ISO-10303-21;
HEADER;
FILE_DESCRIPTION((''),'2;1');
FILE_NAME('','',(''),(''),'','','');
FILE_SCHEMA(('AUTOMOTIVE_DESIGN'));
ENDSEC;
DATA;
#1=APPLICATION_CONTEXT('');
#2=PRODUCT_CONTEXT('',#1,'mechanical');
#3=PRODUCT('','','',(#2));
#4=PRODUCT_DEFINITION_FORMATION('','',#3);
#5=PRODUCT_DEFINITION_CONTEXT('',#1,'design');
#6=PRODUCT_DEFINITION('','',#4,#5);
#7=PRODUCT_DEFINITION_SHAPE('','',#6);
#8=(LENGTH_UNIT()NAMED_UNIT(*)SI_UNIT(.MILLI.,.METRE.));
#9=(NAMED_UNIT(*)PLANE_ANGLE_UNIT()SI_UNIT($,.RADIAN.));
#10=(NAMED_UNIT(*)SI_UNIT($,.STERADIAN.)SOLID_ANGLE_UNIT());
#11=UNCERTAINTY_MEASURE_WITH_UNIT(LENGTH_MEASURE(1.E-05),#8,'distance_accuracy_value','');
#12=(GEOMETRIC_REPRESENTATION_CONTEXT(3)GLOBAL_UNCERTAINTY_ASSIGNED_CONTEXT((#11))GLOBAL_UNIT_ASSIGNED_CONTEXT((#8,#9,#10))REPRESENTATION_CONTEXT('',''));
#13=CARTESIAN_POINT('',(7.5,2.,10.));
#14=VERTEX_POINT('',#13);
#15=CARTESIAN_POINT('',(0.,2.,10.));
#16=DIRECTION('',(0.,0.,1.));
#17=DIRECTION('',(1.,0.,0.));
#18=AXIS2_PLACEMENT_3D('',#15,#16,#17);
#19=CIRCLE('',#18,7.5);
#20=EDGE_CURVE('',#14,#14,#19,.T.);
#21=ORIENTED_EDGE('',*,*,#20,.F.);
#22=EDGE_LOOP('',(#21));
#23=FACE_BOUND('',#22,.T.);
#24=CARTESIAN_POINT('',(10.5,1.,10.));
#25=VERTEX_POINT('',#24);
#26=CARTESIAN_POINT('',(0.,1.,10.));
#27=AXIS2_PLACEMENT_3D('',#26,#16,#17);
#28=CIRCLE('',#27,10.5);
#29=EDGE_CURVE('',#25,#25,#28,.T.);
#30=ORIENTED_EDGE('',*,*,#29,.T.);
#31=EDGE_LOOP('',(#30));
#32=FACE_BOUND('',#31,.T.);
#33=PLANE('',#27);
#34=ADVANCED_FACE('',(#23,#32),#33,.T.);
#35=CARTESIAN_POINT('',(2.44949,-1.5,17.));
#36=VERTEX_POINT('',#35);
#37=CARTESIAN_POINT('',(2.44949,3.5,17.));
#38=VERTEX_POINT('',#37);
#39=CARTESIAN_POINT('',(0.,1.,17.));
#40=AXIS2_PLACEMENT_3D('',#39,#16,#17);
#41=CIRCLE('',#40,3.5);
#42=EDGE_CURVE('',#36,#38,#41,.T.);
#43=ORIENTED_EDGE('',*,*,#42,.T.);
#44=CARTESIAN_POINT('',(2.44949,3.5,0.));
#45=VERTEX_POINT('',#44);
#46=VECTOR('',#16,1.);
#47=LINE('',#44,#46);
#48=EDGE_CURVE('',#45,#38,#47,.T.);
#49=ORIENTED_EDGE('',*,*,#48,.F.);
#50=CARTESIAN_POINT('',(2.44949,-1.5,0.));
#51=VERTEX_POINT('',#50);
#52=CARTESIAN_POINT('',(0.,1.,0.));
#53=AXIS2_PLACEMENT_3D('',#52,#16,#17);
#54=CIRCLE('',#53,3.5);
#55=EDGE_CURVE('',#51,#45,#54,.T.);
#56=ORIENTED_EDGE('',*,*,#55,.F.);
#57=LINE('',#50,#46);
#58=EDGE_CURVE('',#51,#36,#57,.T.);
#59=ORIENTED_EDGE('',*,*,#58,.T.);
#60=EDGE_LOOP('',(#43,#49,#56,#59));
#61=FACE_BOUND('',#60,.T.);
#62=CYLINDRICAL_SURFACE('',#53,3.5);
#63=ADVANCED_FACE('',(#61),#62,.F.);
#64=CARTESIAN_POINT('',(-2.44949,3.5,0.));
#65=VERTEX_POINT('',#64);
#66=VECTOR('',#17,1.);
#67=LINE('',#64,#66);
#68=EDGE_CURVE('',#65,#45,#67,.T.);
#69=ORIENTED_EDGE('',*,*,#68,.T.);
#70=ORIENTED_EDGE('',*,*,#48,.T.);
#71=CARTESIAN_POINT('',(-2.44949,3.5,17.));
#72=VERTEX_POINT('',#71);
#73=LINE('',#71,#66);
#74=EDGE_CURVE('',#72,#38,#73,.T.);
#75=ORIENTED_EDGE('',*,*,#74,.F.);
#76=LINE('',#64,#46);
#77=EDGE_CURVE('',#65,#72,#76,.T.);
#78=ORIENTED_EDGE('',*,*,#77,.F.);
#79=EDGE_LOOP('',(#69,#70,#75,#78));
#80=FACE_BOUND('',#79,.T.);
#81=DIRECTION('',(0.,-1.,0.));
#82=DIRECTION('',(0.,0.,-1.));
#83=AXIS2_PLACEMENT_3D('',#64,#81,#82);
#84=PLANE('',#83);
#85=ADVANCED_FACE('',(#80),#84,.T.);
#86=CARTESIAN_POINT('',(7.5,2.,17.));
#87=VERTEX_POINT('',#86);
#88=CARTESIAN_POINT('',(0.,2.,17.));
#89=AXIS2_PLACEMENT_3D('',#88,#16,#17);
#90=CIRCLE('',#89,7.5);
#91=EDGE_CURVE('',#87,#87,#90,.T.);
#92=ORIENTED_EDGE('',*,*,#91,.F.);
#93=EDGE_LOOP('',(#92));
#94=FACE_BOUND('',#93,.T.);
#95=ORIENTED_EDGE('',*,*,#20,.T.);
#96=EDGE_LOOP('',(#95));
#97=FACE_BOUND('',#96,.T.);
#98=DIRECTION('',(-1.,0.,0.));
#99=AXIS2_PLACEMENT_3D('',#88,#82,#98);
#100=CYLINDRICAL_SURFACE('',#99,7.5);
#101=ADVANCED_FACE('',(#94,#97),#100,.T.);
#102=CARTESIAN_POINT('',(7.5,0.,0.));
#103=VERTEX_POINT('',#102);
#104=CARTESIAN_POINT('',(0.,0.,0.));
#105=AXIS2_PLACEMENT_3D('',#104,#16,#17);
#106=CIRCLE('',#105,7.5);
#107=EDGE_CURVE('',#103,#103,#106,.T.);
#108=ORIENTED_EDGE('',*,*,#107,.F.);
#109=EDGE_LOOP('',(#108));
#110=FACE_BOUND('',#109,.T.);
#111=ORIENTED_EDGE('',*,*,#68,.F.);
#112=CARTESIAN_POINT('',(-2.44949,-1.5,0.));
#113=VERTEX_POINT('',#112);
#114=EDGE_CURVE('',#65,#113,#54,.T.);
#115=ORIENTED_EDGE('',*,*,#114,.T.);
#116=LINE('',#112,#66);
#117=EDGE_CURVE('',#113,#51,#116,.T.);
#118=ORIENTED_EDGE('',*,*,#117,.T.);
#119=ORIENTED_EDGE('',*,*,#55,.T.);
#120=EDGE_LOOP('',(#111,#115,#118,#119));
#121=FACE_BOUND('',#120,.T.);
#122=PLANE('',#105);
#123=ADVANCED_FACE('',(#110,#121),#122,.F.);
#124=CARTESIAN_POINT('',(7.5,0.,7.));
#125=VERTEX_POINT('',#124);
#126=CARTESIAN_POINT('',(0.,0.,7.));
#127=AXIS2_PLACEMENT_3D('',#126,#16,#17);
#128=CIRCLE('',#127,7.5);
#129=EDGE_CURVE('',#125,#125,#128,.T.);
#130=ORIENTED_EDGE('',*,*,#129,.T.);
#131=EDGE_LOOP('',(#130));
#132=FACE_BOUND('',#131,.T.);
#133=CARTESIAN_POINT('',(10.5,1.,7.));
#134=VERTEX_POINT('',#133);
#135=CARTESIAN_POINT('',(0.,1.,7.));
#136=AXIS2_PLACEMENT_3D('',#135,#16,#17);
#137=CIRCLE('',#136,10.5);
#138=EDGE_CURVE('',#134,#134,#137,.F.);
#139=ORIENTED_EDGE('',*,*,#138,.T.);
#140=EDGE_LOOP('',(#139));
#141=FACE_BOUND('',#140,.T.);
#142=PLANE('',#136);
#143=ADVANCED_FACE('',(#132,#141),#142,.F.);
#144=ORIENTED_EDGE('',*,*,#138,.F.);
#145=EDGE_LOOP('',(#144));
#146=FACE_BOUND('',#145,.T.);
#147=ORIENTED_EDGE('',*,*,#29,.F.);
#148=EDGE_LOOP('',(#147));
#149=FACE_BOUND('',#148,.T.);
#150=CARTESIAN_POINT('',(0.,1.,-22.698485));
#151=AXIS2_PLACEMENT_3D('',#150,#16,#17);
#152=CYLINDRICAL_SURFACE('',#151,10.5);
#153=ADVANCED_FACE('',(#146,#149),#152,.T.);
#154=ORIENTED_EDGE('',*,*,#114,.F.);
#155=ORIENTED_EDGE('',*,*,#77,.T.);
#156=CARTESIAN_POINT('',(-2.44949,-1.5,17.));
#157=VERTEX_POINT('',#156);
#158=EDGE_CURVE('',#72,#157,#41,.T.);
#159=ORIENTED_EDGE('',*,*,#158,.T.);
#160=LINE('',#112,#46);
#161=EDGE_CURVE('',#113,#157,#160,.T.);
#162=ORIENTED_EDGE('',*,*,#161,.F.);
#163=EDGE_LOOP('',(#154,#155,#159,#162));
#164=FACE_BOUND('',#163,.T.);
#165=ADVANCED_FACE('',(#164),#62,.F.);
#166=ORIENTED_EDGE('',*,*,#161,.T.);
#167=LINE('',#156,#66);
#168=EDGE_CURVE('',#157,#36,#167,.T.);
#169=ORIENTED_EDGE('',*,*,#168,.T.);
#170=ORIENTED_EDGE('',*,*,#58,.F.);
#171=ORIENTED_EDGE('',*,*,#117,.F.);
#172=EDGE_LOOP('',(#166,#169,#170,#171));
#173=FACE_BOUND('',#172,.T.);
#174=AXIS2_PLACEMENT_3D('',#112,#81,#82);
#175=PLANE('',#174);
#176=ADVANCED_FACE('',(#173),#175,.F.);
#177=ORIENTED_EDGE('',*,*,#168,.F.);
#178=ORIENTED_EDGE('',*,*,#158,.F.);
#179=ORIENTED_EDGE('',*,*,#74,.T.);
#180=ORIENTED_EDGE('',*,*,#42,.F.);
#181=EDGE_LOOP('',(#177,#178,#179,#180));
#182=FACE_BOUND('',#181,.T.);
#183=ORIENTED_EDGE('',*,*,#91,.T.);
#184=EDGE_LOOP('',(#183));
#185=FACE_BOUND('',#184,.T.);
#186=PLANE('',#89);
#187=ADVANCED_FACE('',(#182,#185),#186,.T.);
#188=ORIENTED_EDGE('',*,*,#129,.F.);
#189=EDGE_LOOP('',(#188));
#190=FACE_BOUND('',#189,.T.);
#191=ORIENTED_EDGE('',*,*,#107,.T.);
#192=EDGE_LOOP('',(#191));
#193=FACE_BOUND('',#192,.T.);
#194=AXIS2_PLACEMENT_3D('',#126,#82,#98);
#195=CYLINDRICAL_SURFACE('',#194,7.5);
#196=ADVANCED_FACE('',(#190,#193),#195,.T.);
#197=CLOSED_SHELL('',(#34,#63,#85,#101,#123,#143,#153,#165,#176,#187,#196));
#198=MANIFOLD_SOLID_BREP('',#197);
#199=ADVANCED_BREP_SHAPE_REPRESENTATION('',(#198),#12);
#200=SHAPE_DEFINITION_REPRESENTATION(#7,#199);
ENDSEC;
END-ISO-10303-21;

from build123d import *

# Parameters (mm, degrees)
SKETCH1_R               = 7.5
BOSS_EXTRUDE1_DEPTH     = 7
SKETCH2_R               = 8.5
BOSS_EXTRUDE2_DEPTH     = 3
SKETCH3_R               = 7.5
BOSS_EXTRUDE3_DEPTH     = 7
CUT_EXTRUDE3_DEPTH      = 8
CUT_EXTRUDE3_DEPTH_BACK = 11
SKETCH7_R               = 10.5
SKETCH7_R_2             = 8.5
BOSS_EXTRUDE4_DEPTH     = 3


with BuildPart() as part:
    # Sketch1 → Boss-Extrude1 (new body)
    with BuildSketch(Plane.XY):
        Circle(SKETCH1_R)
    extrude(amount=BOSS_EXTRUDE1_DEPTH)

    # Sketch2 → Boss-Extrude2 (add)
    with BuildSketch(Plane.XY.offset(7)):
        with Locations((0, 1)):
            Circle(SKETCH2_R)
    extrude(amount=BOSS_EXTRUDE2_DEPTH)

    # Sketch3 → Boss-Extrude3 (add)
    with BuildSketch(Plane.XY.offset(10)):
        with Locations((0, 2)):
            Circle(SKETCH3_R)
    extrude(amount=BOSS_EXTRUDE3_DEPTH)

    # Sketch6 → Cut-Extrude3 (cut, two sides)
    with BuildSketch(Plane.XY.offset(10)) as cut_extrude3_sk:
        with BuildLine():
            Line((-2.449489743, 3.5), (2.449489743, 3.5))
            ThreePointArc((2.449489743, 3.5), (3.5, 1), (2.449489743, -1.5))
            Line((2.449489743, -1.5), (-2.449489743, -1.5))
            ThreePointArc((-2.449489743, -1.5), (-3.5, 1), (-2.449489743, 3.5))
        make_face()
    extrude(amount=CUT_EXTRUDE3_DEPTH, mode=Mode.SUBTRACT)
    extrude(cut_extrude3_sk.sketch, amount=-CUT_EXTRUDE3_DEPTH_BACK, mode=Mode.SUBTRACT)

    # Sketch7 → Boss-Extrude4 (add)
    with BuildSketch(Plane.XY.offset(10)):
        with Locations((0, 1)):
            Circle(SKETCH7_R)
        with Locations((0, 1)):
            Circle(SKETCH7_R_2, mode=Mode.SUBTRACT)
    extrude(amount=-BOSS_EXTRUDE4_DEPTH)


solid = part.part
